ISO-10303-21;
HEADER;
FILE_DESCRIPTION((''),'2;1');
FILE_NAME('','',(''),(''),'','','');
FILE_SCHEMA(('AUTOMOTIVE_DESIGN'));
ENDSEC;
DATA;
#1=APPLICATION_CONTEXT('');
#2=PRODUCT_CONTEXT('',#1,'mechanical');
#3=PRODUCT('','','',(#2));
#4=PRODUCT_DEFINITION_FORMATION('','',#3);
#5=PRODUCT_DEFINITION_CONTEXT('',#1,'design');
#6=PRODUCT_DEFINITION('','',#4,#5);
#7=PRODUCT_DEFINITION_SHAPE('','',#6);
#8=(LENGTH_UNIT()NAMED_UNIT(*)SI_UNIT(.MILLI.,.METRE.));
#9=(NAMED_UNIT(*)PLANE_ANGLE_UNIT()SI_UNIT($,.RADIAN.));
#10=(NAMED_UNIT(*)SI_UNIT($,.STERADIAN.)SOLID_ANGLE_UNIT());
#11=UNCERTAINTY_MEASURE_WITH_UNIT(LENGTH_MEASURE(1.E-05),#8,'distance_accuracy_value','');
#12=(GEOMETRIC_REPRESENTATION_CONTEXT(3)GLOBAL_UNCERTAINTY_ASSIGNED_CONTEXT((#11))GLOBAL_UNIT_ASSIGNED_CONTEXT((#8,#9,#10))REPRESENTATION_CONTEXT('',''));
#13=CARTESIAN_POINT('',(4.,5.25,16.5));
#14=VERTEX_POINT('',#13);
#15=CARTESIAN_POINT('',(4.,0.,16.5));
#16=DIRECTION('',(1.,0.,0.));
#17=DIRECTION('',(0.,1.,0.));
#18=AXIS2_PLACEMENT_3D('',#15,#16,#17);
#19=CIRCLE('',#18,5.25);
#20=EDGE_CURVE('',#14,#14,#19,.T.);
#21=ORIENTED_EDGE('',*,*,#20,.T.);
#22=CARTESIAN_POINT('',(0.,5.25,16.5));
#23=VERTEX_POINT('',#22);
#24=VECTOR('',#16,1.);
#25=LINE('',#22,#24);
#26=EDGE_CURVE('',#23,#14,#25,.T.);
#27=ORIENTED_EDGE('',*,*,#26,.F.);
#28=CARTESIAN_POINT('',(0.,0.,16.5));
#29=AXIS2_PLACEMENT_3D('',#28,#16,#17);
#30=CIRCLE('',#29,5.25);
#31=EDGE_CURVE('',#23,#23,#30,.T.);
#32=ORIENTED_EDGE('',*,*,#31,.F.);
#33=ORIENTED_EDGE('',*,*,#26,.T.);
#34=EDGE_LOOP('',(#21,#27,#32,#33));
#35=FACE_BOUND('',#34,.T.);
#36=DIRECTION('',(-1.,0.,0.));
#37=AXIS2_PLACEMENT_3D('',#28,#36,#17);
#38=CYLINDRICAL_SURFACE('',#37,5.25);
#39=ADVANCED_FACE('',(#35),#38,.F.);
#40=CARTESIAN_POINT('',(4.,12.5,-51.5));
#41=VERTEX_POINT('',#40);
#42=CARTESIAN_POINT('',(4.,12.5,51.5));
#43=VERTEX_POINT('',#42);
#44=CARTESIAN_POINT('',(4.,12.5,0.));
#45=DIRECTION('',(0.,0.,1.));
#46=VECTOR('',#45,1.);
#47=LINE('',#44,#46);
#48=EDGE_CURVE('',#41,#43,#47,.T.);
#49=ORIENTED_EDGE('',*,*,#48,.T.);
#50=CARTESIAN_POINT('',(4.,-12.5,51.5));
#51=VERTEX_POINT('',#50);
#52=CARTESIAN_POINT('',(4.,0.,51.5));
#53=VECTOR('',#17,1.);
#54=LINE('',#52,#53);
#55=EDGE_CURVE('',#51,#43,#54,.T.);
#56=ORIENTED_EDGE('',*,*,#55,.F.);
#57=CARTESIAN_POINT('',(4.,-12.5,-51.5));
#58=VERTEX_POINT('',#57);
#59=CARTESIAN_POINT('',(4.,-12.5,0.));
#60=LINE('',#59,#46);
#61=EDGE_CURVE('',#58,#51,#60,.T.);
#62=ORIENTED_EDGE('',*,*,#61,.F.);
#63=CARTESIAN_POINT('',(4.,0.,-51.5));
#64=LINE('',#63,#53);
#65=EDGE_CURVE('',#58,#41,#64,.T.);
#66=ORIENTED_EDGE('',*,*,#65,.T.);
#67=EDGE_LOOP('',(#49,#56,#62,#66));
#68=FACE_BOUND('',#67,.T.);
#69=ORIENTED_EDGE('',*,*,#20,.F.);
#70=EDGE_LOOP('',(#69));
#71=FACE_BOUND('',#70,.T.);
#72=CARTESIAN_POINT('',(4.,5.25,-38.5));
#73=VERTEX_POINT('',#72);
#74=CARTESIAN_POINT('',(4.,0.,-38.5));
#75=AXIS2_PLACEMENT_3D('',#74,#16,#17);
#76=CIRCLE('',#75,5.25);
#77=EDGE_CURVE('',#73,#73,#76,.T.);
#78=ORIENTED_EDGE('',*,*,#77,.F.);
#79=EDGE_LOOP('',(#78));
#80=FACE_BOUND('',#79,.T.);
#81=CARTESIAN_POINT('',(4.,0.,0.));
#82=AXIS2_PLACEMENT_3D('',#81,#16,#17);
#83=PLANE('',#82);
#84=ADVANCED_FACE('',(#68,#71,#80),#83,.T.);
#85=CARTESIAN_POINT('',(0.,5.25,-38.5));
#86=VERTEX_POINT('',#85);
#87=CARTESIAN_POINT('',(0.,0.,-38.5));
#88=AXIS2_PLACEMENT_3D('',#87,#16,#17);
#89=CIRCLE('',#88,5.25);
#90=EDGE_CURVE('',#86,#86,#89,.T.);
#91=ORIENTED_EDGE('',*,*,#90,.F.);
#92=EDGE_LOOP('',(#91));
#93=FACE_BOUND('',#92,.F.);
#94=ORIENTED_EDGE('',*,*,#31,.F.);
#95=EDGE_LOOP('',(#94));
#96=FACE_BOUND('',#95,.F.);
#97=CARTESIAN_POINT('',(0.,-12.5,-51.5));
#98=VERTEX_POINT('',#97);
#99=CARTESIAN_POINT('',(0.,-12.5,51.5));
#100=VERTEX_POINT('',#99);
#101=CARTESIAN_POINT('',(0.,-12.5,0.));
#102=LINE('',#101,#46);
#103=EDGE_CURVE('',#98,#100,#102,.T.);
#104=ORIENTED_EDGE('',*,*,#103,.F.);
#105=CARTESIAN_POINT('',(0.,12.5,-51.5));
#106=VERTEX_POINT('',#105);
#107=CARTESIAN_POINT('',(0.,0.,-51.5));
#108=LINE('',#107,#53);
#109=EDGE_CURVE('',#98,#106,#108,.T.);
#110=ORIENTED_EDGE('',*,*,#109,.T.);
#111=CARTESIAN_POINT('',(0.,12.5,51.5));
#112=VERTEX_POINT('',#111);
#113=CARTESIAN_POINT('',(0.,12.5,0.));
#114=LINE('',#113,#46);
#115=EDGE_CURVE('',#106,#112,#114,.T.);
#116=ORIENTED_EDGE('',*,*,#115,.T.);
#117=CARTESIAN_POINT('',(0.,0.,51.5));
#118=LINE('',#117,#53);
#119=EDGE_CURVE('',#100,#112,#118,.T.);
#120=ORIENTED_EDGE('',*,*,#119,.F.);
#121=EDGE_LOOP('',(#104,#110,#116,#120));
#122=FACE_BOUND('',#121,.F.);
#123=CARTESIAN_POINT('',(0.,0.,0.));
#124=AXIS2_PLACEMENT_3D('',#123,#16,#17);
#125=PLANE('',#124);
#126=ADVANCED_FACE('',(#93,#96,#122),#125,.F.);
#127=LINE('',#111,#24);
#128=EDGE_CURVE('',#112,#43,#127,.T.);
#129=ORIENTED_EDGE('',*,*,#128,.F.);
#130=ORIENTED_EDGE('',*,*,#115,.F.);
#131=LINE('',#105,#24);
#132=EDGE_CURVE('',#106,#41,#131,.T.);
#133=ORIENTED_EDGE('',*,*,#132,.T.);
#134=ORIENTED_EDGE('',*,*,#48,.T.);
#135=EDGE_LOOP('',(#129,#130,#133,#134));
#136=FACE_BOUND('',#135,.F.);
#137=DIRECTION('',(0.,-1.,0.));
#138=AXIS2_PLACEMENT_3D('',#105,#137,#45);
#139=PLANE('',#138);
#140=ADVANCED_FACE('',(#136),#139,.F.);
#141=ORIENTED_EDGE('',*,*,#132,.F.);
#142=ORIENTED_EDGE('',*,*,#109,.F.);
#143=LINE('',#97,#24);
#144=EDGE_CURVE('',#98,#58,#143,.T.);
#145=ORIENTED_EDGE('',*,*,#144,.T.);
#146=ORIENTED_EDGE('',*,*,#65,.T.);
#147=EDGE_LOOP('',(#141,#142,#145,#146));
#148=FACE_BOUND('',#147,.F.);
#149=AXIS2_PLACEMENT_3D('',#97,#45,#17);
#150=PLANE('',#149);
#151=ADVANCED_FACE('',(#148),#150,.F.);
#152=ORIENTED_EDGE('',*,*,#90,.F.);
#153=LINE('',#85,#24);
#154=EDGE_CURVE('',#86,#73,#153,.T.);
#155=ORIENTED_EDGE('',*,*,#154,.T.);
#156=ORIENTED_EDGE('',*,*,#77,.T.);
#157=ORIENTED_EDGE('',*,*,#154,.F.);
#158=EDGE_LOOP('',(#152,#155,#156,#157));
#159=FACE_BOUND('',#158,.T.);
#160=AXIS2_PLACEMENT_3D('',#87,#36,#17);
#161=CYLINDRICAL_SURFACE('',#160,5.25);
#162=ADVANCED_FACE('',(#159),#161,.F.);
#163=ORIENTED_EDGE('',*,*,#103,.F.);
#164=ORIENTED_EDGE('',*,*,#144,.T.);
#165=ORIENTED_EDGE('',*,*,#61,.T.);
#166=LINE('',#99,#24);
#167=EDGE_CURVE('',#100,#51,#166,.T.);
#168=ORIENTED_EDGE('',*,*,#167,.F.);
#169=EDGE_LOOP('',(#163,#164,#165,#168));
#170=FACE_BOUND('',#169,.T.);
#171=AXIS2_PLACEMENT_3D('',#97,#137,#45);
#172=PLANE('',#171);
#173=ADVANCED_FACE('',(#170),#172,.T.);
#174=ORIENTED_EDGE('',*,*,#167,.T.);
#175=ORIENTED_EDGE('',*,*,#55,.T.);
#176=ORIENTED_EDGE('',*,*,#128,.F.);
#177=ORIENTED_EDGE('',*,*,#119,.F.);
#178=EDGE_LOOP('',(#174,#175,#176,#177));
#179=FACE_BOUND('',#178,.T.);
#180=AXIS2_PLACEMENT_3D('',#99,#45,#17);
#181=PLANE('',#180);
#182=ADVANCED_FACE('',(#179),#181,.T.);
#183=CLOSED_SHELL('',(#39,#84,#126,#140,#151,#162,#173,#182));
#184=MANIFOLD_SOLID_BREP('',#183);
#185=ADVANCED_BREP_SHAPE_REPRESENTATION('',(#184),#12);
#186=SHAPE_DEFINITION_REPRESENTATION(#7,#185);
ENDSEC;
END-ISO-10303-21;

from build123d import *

# Parameters (mm, degrees)
F0_W     = 25
F0_H     = 103
F0_R     = 5.25
F1_DEPTH = 4


with BuildPart() as f1:
    # F0 (on Right) → F1 (new body)
    with BuildSketch(Plane.YZ):
        Rectangle(F0_W, F0_H)
        with Locations((0, -38.5)):
            Circle(F0_R, mode=Mode.SUBTRACT)
        with Locations((0, 16.5)):
            Circle(F0_R, mode=Mode.SUBTRACT)
    extrude(amount=F1_DEPTH)


solid = f1.part
